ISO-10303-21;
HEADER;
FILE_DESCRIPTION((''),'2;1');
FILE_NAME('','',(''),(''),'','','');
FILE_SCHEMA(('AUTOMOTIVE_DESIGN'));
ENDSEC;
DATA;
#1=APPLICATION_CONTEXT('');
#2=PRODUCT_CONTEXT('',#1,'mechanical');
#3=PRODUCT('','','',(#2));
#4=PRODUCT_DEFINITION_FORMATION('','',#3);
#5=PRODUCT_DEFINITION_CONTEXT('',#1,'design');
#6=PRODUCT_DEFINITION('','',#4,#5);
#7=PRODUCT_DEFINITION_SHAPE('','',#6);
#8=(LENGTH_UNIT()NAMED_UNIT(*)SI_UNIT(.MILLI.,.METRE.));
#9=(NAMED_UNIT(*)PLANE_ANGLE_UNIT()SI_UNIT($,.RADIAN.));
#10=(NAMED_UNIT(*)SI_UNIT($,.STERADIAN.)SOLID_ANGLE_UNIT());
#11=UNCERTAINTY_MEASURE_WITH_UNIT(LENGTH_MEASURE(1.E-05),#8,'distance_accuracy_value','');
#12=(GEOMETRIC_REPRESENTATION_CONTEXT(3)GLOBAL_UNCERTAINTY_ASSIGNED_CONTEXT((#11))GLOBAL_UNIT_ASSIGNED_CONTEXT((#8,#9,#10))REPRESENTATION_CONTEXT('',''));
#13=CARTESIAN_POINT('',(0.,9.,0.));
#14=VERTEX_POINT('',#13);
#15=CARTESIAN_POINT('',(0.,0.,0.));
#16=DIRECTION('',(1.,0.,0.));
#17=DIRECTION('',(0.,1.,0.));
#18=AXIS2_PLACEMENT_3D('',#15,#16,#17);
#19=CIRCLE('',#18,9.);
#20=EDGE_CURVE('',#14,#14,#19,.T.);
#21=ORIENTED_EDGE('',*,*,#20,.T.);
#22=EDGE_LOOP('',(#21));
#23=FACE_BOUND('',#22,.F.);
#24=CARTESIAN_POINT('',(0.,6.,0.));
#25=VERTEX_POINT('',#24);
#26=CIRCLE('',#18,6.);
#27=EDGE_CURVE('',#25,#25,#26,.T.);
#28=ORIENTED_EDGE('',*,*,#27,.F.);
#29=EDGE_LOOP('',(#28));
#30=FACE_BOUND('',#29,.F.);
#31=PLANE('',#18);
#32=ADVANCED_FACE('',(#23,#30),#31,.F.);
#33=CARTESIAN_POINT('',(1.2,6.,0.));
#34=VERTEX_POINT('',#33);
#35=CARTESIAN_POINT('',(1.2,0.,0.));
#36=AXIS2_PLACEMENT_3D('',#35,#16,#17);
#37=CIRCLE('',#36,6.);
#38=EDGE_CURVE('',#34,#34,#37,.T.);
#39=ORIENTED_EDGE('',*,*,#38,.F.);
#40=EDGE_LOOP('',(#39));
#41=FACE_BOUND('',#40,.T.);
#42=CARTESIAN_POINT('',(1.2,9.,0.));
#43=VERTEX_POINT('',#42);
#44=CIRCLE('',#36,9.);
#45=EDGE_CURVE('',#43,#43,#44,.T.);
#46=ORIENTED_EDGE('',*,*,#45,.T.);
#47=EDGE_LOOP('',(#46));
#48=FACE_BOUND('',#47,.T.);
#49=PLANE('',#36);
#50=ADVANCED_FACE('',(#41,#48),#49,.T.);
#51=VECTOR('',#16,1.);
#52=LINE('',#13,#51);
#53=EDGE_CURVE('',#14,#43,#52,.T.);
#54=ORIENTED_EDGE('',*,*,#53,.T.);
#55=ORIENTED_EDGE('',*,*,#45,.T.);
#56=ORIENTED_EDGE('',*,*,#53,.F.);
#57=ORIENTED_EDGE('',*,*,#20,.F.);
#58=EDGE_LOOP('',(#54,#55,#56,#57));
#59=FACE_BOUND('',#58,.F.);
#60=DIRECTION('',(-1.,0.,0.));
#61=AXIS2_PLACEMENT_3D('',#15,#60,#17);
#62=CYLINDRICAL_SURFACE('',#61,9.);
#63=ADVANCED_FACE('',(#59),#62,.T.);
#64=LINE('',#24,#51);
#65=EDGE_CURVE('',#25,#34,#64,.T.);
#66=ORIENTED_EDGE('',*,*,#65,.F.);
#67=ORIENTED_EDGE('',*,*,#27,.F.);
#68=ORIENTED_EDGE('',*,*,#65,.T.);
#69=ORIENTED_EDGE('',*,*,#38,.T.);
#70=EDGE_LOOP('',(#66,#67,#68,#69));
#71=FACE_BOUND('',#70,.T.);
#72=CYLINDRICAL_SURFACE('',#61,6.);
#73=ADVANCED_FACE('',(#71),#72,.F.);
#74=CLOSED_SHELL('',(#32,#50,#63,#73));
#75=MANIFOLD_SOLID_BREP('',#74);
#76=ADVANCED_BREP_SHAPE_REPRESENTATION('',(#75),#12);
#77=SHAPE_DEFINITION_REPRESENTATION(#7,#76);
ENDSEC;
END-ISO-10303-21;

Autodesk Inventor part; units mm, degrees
ref_plane "YZ Plane" through (0, 0, 0) normal (1, 0, 0) x (0, 1, 0)
ref_plane "XZ Plane" through (0, 0, 0) normal (0, 1, 0) x (-1, 0, 0)
sketch "Skizze" plane through (0, 0, 0) normal (1, 0, 0) x (0, 1, 0)
  circle A0 centre (0, 0) radius 9
  circle A1 centre (0, 0) radius 6
  dimension "d0" = 12
  dimension "d1" = 18
extrude "Körper" add sketch "Skizze" along normal blind 1.2
ref_plane "Work Plane1" through (0, 0, 0) normal (0, 0, 1) x (1, 0, 0)
equation "\"d0\" = SD1"
equation "\"d1\" = SD2"
equation "\"d2\" = SD"
equation "\"SD1\" = 12"
equation "\"SD2\" = 18"
equation "\"SD\" = 1.2"
equation "\"NND\" = 12"
equation "\"NND2\" = 18"
properties part number "DIN 988 - S12 x 18" material "Stahl, weich"
